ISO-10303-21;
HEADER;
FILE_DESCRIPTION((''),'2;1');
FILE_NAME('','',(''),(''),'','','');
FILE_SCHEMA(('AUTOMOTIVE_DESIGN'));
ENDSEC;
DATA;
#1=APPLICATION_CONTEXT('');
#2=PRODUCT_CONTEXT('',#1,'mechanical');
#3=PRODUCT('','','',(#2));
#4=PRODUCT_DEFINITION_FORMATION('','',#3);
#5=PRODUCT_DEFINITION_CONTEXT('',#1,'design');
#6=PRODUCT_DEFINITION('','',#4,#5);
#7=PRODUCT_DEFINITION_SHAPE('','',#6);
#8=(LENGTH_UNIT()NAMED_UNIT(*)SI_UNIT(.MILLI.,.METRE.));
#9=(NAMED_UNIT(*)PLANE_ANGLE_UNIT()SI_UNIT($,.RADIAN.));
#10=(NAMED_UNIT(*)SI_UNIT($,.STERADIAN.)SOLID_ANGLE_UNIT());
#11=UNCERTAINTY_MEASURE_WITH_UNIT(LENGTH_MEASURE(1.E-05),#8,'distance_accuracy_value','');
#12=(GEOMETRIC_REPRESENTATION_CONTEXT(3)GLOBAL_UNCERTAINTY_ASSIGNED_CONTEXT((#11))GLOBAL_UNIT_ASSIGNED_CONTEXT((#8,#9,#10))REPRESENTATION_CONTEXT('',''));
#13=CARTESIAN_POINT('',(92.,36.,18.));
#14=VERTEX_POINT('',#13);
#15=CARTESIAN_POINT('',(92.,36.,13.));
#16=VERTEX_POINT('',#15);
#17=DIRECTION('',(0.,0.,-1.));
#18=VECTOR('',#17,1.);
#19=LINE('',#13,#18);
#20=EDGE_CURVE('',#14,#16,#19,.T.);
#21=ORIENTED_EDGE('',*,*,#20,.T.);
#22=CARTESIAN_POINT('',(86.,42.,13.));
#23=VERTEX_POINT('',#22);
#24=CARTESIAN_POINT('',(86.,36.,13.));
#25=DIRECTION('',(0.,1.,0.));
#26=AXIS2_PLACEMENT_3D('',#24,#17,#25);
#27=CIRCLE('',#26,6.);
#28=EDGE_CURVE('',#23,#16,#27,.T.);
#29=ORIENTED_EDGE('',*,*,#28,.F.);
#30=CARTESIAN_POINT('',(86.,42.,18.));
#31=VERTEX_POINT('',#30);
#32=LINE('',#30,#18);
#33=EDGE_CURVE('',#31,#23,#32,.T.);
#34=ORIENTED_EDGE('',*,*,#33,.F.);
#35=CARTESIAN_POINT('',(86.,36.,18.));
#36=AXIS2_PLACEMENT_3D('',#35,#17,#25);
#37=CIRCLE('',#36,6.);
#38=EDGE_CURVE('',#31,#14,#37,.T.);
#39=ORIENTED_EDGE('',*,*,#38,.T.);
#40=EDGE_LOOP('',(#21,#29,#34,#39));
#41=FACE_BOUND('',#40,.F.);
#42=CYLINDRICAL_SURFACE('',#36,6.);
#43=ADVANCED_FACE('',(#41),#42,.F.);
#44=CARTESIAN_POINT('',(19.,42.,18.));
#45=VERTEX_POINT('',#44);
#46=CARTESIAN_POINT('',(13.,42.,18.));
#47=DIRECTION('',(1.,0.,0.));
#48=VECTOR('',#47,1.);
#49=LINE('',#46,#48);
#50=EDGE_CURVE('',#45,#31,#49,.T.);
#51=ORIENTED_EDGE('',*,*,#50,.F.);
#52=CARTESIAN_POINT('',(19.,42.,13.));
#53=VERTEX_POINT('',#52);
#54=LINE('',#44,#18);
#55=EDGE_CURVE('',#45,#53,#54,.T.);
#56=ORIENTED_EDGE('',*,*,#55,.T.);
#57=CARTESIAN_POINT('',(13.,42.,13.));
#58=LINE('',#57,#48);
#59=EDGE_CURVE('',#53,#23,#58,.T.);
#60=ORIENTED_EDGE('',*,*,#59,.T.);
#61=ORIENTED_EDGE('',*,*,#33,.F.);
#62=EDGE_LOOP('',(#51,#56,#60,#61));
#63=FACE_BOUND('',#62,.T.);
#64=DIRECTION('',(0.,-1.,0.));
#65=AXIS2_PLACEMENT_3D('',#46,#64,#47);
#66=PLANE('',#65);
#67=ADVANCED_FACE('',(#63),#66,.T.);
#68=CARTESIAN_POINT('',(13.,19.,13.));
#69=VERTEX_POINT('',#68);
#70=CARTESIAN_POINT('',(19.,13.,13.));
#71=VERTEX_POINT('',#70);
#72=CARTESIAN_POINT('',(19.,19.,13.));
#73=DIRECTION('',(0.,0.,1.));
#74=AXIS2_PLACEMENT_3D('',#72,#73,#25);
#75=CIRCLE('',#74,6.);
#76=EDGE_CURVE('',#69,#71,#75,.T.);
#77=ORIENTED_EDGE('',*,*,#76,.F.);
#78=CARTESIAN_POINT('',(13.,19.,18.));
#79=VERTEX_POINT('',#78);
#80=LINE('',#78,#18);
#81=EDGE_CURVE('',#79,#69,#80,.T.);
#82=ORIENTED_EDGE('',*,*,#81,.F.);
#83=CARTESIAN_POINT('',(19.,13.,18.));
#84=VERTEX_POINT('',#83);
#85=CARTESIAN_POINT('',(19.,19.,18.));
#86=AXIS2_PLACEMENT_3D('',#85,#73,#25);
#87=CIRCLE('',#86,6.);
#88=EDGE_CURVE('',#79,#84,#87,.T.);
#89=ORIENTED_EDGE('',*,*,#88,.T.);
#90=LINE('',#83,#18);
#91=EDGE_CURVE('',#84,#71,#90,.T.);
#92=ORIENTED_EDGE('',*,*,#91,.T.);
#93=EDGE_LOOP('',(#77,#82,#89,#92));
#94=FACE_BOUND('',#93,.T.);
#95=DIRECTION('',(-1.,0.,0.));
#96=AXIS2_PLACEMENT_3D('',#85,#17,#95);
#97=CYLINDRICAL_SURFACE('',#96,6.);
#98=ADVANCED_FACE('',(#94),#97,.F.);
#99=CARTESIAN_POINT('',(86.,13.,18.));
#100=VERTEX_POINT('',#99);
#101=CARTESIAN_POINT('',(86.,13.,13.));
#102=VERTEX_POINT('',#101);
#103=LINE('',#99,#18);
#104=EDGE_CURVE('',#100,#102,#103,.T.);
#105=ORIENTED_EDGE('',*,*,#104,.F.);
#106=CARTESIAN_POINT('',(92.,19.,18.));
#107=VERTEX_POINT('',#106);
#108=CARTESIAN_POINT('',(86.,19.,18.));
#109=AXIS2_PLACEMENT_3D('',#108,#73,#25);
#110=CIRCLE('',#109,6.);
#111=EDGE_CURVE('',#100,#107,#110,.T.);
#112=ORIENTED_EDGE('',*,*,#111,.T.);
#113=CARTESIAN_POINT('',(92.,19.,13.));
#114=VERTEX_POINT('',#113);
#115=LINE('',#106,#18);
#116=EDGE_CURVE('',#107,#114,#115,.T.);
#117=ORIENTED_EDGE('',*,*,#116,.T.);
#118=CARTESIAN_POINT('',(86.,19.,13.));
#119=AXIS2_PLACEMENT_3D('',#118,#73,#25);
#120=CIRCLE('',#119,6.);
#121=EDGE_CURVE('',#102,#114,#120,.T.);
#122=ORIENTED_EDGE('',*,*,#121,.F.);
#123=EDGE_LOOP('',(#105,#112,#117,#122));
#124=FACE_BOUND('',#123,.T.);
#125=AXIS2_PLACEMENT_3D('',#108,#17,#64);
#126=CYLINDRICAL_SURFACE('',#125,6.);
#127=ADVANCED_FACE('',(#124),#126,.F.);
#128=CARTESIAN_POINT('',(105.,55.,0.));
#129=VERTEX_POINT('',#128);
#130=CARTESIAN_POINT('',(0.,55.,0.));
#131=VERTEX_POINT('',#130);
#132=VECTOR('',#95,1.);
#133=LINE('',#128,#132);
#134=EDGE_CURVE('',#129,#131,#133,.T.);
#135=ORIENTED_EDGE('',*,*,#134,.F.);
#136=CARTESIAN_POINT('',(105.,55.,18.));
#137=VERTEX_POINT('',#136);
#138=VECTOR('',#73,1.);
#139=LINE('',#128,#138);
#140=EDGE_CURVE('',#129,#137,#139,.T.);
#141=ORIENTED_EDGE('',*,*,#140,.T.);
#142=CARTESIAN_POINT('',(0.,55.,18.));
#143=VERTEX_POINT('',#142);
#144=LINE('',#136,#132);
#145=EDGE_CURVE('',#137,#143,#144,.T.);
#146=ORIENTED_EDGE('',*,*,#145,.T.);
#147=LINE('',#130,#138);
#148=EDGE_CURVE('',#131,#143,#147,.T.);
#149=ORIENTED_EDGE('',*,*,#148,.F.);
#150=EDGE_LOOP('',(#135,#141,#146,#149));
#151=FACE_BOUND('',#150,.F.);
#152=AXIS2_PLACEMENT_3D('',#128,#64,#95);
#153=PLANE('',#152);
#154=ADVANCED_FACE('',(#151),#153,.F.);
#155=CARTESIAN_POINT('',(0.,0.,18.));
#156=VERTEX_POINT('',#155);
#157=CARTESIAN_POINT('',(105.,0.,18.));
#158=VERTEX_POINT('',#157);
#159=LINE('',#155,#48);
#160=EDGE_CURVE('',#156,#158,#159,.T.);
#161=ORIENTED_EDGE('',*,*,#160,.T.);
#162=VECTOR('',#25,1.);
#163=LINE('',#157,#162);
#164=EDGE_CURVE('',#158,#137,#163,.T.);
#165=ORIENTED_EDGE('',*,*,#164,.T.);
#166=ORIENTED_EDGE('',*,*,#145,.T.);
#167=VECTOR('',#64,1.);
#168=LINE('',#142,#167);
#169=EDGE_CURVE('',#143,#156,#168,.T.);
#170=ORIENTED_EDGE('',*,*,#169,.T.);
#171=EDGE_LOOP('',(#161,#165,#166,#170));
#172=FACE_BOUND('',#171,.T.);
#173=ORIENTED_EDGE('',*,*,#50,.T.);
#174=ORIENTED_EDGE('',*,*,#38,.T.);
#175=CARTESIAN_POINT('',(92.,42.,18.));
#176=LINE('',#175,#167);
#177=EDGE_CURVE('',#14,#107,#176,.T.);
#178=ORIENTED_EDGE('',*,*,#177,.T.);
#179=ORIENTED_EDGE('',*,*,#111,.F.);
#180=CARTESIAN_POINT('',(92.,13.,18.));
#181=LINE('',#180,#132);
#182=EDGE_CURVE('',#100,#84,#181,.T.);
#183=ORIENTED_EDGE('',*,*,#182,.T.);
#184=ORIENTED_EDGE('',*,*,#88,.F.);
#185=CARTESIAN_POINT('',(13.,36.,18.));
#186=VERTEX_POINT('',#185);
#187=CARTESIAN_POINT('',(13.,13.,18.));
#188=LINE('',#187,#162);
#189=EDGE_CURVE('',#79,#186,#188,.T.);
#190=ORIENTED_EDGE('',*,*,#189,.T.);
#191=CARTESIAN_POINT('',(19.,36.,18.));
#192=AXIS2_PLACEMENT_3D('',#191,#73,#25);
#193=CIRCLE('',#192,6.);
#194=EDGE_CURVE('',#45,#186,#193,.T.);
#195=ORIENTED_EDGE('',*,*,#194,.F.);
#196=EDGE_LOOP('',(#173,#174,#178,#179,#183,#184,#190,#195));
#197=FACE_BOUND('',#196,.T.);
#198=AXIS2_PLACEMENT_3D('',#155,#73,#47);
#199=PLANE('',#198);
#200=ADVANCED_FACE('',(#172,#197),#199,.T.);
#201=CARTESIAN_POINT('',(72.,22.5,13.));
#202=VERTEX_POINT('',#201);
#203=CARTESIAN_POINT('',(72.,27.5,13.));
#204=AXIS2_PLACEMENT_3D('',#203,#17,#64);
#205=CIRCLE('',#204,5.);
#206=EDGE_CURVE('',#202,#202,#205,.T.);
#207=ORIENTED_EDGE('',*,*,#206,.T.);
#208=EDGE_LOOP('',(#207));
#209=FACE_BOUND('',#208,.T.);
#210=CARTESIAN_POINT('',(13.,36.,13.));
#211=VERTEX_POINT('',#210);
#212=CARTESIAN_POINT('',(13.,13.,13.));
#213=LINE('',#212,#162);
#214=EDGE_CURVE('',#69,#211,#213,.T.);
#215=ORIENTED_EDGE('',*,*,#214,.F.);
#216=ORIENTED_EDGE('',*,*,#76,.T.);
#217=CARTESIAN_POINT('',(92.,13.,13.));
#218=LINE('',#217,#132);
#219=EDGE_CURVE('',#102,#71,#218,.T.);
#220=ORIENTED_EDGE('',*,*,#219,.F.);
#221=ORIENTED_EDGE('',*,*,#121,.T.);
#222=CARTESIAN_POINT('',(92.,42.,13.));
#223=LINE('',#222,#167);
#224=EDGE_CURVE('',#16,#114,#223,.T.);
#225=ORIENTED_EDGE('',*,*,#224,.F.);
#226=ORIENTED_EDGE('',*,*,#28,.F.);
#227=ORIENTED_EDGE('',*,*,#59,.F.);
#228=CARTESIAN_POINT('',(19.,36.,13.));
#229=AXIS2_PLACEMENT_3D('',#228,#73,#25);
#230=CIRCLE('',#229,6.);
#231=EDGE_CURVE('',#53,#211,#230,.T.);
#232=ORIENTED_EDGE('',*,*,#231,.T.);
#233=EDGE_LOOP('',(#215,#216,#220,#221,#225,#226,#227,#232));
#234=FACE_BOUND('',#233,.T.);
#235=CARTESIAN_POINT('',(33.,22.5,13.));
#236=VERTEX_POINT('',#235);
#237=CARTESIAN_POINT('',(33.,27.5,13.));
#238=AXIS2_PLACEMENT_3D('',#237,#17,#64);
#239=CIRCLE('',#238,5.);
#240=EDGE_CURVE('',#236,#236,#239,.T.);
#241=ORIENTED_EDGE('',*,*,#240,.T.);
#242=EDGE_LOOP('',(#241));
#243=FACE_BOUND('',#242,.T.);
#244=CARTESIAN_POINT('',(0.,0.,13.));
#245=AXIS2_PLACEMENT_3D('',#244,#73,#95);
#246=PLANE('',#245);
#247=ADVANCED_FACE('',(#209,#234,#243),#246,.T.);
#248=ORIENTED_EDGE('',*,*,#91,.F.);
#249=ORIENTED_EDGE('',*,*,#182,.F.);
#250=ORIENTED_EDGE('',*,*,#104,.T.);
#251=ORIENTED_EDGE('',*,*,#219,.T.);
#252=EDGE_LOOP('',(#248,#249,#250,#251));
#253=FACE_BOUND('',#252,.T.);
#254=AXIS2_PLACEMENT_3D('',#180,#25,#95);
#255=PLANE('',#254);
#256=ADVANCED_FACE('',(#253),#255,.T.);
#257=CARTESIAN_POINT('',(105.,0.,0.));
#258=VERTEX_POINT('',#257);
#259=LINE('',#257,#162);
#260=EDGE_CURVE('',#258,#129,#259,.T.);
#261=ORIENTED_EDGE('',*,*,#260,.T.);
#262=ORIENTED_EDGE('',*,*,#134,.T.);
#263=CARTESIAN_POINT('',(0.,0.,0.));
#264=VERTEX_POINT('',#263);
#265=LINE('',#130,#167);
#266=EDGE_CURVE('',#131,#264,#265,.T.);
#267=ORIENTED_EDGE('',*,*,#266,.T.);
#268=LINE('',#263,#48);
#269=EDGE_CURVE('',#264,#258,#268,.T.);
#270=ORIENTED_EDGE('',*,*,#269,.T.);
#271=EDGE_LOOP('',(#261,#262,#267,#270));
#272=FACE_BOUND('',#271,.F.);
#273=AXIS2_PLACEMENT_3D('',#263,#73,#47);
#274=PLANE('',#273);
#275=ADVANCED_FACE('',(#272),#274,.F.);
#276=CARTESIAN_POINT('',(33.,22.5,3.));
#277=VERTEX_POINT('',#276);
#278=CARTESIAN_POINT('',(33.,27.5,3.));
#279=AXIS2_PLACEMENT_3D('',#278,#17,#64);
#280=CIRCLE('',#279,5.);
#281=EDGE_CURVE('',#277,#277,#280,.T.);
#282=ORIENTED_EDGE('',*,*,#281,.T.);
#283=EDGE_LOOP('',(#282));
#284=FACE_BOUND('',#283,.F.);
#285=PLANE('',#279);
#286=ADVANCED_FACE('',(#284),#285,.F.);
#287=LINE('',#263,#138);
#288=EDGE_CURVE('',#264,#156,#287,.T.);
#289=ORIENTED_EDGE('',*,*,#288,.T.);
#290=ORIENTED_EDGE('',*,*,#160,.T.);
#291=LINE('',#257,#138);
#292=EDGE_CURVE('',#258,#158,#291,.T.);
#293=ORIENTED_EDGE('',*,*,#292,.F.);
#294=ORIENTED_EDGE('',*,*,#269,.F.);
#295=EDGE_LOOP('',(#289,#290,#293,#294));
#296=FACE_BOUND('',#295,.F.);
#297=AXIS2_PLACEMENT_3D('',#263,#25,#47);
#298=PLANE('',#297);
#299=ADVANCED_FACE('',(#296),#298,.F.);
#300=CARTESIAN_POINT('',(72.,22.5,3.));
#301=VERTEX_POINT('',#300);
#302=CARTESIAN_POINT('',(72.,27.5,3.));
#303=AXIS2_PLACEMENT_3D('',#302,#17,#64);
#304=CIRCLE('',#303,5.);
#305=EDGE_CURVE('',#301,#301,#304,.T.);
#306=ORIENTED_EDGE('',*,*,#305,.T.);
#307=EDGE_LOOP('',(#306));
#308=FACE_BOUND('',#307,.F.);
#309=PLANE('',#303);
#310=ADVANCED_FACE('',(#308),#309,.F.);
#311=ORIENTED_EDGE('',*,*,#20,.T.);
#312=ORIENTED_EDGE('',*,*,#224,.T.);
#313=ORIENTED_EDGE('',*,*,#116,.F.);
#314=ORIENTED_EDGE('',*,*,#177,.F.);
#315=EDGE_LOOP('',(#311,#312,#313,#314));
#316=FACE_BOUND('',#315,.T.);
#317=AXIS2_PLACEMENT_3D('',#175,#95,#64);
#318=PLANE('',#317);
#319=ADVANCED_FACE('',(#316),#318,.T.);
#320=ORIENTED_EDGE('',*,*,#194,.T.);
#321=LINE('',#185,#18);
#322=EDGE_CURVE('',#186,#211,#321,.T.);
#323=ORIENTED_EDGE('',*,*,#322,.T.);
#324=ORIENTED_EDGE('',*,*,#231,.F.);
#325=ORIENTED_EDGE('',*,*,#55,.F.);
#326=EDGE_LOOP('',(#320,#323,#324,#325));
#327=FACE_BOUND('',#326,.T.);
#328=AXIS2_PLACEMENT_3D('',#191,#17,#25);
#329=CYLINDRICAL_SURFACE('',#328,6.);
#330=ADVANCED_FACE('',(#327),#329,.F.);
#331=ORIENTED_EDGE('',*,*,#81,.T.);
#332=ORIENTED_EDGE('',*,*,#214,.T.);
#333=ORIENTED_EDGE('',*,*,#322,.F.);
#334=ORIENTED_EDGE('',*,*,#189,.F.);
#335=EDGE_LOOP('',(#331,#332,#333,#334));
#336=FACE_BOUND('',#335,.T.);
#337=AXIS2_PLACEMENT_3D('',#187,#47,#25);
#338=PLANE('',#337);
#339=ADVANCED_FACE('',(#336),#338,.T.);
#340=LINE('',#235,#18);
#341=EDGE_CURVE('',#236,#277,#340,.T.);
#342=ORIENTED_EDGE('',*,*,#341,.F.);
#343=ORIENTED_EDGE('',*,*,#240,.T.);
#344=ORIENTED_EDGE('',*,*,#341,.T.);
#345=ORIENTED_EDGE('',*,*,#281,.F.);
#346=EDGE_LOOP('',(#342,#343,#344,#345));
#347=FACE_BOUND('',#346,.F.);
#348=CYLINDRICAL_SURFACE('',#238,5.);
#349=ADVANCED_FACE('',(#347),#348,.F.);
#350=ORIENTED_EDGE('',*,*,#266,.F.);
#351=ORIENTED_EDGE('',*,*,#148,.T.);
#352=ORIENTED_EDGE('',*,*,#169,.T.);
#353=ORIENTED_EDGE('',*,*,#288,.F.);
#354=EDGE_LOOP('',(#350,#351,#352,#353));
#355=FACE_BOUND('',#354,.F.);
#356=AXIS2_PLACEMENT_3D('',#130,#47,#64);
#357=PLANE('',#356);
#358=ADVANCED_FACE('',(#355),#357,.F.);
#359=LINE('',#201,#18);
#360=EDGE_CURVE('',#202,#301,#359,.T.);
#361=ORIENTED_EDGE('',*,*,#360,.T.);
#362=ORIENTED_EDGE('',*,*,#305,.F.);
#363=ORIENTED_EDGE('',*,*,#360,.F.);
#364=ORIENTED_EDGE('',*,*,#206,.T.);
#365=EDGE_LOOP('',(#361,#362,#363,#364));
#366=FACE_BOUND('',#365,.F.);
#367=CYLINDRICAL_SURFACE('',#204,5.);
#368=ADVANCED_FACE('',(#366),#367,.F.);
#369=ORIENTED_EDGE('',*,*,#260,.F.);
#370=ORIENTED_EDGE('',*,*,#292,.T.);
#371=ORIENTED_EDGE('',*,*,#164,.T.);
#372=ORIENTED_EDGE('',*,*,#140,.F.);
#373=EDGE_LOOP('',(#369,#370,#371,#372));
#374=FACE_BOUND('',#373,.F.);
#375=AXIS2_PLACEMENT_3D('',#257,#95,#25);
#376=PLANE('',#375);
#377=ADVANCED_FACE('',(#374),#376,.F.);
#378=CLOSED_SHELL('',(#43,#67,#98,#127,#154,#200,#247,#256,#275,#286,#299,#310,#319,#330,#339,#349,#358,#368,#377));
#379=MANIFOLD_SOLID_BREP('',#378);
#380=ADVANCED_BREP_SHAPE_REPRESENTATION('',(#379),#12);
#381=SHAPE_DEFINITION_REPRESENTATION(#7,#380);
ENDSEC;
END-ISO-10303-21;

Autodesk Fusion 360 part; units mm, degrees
sketch "Sketch1" plane through (0, 0, 0) normal (0, 0, 1) x (1, 0, 0)
  line L0 (0, 0) -> (105, 0)
  line L1 (105, 0) -> (105, 55)
  line L2 (105, 55) -> (0, 55)
  line L3 (0, 55) -> (0, 0)
  dimension "d1" = 105
  dimension "d2" = 55
extrude "Extrude1" add sketch "Sketch1" along normal blind 18
sketch "Sketch2" plane through (0, 0, 18) normal (0, 0, 1) x (-1, 0, 0)
  line L0 (0, -55) -> (0, 0)
  line L1 (0, 0) -> (-105, 0)
  line L2 (-105, 0) -> (-105, -55)
  line L3 (-105, -55) -> (0, -55)
  line L4 (0, -55) -> (-105, 0) construction
  line L5 (-105, -55) -> (0, 0) construction
  line L6 (-52.5, -27.5) -> (-52.5, -42) construction
  line L7 (-52.5, -42) -> (-92, -42)
  line L8 (-92, -42) -> (-92, -13)
  line L9 (-92, -13) -> (-13, -13)
  line L10 (-13, -13) -> (-13, -42)
  line L11 (-13, -42) -> (-52.5, -42)
  dimension "d5" = 29
  dimension "d6" = 79
  dimension "d7" = 14.5
  dimension "d8" = 39.5
extrude "Extrude2" cut sketch "Sketch2" against normal blind 5 contours L7 L8 L9 L10 L11
fillet "Fillet1" radius 6 4 edges at (13, 42, 15.5) (92, 42, 15.5) (92, 13, 15.5) (13, 13, 15.5)
sketch "Sketch3" plane through (0, 0, 13) normal (0, 0, 1) x (-1, 0, 0)
  arc A0 (-13, -19) -> (-19, -13) centre (-19, -19) ccw
  line L0 (-19, -13) -> (-86, -13)
  arc A1 (-86, -13) -> (-92, -19) centre (-86, -19) ccw
  line L1 (-92, -19) -> (-92, -36)
  arc A2 (-92, -36) -> (-86, -42) centre (-86, -36) ccw
  line L2 (-86, -42) -> (-19, -42)
  arc A3 (-19, -42) -> (-13, -36) centre (-19, -36) ccw
  line L3 (-13, -36) -> (-13, -19)
  line L4 (0, -55) -> (-105, 0) construction
  line L5 (-105, 0) -> (-105, -55) construction
  line L6 (-105, -55) -> (0, 0) construction
  line L7 (-52.5, -27.5) -> (-33, -27.5) construction
  line L8 (-52.5, -27.5) -> (-72, -27.5) construction
  dimension "d13" = 19.5
  dimension "d14" = 19.5
hole "Hole1" at (0, 0, 0) at (72, 27.5, 13) at (33, 27.5, 13) direction (0, 0, -1) diameter 10 depth 10 tip angle 180
equation "d7 = ( 29 / 2 ) * 1 mm"
equation "d8 = ( 79 / 2 ) * 1 mm"
